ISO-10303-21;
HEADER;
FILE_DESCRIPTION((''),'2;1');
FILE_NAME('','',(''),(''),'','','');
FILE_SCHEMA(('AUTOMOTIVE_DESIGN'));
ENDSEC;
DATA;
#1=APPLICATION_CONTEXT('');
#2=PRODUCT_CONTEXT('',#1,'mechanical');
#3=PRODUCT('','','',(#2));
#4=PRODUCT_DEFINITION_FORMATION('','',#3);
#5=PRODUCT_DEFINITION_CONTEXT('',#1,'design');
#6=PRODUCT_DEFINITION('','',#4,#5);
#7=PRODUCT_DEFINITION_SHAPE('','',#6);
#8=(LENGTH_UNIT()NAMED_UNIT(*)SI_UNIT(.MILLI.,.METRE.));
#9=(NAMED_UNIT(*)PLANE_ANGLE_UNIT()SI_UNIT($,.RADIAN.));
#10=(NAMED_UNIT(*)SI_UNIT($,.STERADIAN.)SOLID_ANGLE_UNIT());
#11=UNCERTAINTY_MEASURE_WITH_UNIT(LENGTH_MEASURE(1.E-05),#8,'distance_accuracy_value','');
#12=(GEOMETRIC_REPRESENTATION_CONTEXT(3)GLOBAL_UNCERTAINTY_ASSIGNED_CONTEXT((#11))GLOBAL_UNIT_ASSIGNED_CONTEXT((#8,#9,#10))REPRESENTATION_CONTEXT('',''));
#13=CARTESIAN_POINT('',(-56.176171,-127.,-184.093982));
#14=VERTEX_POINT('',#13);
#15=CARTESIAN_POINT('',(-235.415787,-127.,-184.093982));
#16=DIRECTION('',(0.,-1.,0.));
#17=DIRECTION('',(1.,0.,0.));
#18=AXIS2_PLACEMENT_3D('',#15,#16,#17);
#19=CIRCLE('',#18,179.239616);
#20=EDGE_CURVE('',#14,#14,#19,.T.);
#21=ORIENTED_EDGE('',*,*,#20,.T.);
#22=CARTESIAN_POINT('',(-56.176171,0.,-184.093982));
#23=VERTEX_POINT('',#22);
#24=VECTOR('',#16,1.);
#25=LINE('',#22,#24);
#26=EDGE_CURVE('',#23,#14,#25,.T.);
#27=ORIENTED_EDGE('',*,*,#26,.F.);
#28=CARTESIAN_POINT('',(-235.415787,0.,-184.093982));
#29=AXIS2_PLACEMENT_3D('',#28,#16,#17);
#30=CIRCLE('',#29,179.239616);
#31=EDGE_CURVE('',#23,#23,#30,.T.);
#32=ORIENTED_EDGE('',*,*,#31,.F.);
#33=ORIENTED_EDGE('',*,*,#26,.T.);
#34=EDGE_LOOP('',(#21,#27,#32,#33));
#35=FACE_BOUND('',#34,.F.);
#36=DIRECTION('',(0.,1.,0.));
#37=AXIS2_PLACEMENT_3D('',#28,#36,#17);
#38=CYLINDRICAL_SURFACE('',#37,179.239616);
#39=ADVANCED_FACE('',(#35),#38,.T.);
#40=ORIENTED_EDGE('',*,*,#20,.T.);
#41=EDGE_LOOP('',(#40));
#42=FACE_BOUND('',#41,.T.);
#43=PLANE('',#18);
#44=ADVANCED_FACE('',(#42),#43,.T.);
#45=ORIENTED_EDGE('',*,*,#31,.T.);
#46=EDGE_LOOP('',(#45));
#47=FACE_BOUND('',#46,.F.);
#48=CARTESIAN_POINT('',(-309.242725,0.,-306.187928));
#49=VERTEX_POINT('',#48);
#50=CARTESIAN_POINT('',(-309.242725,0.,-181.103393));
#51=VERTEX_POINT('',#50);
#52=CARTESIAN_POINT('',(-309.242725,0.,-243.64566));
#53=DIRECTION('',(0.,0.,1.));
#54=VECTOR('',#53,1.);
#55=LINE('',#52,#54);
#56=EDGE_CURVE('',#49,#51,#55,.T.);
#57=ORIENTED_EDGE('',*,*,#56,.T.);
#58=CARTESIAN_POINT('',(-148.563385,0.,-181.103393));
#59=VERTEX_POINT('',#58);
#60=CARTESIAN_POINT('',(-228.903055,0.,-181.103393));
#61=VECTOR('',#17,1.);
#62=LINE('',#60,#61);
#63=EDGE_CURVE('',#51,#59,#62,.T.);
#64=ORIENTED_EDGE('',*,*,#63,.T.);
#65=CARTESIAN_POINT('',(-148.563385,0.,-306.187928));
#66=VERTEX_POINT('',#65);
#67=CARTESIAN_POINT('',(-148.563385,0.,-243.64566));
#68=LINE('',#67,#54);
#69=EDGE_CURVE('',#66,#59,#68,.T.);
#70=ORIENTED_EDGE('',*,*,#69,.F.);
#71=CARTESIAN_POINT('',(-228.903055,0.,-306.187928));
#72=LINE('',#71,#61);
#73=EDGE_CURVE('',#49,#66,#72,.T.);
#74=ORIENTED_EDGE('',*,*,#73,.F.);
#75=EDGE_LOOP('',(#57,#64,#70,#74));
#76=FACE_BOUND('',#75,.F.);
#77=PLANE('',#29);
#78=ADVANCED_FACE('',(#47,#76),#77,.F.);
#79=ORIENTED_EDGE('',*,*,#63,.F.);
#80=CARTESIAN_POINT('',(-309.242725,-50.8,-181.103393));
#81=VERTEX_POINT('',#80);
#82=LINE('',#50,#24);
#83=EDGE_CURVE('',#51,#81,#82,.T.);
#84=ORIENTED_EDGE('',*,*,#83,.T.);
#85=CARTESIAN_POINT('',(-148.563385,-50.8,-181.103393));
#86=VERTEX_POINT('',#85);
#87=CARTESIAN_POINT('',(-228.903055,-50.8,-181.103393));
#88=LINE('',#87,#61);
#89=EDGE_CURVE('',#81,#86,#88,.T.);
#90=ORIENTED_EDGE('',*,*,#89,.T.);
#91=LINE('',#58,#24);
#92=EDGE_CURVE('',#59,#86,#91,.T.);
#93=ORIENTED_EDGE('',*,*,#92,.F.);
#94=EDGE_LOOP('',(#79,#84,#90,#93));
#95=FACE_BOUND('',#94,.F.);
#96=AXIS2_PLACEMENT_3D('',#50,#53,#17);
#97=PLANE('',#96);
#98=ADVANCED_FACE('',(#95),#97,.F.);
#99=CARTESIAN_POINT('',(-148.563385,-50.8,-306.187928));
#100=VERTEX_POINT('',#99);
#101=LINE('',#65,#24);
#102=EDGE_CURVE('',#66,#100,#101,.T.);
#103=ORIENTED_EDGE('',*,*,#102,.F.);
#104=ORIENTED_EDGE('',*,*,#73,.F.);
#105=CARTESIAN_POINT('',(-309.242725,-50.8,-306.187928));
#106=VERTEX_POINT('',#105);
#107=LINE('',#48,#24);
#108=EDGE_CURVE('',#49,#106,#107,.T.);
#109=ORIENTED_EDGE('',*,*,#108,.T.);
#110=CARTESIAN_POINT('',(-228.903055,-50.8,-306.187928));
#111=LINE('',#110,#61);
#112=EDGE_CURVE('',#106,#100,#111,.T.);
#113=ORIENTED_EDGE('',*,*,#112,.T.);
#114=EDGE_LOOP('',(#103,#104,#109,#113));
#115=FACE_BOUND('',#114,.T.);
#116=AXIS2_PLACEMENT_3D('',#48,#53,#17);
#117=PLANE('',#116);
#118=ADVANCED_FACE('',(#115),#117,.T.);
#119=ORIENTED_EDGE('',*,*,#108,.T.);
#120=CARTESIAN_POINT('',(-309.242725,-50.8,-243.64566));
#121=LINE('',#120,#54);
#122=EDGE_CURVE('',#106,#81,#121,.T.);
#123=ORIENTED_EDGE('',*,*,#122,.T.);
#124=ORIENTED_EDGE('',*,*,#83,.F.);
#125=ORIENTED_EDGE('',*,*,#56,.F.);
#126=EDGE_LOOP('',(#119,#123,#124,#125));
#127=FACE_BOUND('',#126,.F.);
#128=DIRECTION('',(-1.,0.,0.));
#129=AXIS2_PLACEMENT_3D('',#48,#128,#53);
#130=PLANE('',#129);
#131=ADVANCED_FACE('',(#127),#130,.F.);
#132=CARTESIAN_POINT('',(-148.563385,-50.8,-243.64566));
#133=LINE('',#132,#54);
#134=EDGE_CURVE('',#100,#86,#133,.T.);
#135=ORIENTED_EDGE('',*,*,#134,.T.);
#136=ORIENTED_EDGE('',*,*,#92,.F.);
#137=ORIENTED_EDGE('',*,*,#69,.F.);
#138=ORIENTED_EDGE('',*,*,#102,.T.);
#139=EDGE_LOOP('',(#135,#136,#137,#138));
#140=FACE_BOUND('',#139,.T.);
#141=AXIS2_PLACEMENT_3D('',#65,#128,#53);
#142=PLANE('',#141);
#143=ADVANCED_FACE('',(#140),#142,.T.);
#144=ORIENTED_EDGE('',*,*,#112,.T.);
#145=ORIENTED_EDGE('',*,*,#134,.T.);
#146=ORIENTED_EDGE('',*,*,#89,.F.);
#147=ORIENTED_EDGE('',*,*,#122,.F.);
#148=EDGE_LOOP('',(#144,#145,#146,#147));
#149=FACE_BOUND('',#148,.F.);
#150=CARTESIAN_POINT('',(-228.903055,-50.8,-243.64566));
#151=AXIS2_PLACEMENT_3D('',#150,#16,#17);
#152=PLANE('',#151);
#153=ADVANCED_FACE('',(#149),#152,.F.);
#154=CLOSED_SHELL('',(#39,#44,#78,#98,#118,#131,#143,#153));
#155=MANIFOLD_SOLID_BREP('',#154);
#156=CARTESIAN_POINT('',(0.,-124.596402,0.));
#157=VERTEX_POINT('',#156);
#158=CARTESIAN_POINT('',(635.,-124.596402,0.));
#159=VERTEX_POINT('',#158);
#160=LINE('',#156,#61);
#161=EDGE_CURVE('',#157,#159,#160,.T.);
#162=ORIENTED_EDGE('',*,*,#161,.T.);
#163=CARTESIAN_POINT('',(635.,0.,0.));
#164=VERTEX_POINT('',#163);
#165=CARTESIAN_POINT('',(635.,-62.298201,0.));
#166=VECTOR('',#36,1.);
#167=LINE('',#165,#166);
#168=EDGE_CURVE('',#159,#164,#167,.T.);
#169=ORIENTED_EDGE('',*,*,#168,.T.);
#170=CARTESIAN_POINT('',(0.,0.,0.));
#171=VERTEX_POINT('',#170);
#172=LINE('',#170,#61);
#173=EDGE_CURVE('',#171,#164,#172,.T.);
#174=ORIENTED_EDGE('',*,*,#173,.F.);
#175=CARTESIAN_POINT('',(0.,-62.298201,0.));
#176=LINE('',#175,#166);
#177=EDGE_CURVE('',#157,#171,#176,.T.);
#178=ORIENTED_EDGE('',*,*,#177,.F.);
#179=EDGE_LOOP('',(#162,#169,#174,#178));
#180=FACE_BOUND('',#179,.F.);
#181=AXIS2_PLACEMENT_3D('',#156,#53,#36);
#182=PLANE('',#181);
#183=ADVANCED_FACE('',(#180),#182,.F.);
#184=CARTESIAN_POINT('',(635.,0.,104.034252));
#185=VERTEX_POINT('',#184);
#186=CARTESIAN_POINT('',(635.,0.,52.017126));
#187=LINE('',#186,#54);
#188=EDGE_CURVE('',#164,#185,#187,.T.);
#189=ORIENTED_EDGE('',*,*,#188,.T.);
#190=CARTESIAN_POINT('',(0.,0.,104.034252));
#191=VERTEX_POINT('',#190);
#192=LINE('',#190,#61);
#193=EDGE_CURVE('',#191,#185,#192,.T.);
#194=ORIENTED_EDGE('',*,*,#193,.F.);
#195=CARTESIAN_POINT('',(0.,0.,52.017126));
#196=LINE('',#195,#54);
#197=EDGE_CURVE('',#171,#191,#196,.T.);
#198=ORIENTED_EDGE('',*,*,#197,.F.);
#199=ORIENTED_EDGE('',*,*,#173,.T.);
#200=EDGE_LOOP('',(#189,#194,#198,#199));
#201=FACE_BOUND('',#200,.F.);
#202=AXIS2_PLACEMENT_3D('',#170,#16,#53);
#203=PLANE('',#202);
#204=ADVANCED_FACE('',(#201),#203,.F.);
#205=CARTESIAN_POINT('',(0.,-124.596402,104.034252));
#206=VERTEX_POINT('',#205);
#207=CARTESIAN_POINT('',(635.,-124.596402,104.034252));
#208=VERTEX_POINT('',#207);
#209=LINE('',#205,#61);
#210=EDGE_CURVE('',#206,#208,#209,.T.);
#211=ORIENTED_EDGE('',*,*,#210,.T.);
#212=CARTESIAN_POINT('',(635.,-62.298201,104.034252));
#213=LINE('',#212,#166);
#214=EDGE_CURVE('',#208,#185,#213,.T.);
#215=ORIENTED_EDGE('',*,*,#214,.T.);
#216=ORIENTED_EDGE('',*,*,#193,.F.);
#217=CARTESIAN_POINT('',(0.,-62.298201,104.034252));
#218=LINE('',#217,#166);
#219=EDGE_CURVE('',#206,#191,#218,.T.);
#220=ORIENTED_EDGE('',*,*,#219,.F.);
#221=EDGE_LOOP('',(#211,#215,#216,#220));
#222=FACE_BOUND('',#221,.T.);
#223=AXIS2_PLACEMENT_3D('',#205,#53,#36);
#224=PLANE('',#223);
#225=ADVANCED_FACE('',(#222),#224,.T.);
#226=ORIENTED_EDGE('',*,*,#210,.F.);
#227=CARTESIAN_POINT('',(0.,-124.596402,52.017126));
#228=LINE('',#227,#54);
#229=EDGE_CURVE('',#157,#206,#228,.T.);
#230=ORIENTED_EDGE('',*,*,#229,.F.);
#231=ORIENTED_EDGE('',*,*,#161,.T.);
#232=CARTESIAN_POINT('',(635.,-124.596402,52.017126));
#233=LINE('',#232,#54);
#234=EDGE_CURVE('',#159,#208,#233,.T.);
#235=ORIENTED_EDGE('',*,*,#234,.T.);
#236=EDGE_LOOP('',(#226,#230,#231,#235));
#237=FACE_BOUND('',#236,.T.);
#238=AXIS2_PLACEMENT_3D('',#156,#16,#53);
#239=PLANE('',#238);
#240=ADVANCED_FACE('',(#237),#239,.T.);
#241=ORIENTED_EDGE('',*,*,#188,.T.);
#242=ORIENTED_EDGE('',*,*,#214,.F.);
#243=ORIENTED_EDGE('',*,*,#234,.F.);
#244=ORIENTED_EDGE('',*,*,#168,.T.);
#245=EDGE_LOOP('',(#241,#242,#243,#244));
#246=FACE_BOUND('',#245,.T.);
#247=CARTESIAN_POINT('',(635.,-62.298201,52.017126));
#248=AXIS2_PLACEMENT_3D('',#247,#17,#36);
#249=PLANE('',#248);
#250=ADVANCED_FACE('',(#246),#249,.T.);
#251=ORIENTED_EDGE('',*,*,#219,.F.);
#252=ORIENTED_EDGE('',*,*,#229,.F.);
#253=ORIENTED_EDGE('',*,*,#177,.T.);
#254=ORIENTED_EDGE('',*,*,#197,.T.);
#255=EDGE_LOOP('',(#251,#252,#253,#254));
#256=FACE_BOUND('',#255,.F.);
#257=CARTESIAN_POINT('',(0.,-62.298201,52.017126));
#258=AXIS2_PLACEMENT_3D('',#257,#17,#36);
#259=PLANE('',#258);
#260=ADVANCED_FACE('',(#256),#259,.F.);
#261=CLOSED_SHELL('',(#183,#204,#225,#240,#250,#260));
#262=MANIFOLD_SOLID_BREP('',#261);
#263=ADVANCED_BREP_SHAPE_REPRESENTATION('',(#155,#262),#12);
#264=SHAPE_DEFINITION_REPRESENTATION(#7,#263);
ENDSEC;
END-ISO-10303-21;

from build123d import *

# Parameters (mm, degrees)
F0_W     = 124.596402
F0_H     = 104.034252
F1_DEPTH = 635
F2_W     = 159.774974
F2_H     = 214.787192
F3_DEPTH = 25.4
F4_R     = 179.239616
F5_DEPTH = 127
F6_W     = 160.67934
F6_H     = 125.084535
F7_DEPTH = 50.8


with BuildPart() as f1:
    # F0 (on Right) → F1 (new body)
    with BuildSketch(Plane.YZ):
        with Locations((-62.298201, 52.017126)):
            Rectangle(F0_W, F0_H)
    extrude(amount=F1_DEPTH)

    # F2 (on Front) → F3 (cut)
    with BuildSketch(Plane.XZ):
        with Locations((-210.452251, 43.300625)):
            Rectangle(F2_W, F2_H)
    extrude(amount=F3_DEPTH, mode=Mode.SUBTRACT)


with BuildPart() as f5:
    # F4 (on Front) → F5 (new body)
    with BuildSketch(Plane.XZ):
        with Locations((-235.415787, -184.093982)):
            Circle(F4_R)
    extrude(amount=F5_DEPTH)

    # F6 (on Front) → F7 (cut)
    with BuildSketch(Plane.XZ):
        with Locations((-228.903055, -243.64566)):
            Rectangle(F6_W, F6_H)
    extrude(amount=F7_DEPTH, mode=Mode.SUBTRACT)


solid = Compound([f1.part, f5.part])
